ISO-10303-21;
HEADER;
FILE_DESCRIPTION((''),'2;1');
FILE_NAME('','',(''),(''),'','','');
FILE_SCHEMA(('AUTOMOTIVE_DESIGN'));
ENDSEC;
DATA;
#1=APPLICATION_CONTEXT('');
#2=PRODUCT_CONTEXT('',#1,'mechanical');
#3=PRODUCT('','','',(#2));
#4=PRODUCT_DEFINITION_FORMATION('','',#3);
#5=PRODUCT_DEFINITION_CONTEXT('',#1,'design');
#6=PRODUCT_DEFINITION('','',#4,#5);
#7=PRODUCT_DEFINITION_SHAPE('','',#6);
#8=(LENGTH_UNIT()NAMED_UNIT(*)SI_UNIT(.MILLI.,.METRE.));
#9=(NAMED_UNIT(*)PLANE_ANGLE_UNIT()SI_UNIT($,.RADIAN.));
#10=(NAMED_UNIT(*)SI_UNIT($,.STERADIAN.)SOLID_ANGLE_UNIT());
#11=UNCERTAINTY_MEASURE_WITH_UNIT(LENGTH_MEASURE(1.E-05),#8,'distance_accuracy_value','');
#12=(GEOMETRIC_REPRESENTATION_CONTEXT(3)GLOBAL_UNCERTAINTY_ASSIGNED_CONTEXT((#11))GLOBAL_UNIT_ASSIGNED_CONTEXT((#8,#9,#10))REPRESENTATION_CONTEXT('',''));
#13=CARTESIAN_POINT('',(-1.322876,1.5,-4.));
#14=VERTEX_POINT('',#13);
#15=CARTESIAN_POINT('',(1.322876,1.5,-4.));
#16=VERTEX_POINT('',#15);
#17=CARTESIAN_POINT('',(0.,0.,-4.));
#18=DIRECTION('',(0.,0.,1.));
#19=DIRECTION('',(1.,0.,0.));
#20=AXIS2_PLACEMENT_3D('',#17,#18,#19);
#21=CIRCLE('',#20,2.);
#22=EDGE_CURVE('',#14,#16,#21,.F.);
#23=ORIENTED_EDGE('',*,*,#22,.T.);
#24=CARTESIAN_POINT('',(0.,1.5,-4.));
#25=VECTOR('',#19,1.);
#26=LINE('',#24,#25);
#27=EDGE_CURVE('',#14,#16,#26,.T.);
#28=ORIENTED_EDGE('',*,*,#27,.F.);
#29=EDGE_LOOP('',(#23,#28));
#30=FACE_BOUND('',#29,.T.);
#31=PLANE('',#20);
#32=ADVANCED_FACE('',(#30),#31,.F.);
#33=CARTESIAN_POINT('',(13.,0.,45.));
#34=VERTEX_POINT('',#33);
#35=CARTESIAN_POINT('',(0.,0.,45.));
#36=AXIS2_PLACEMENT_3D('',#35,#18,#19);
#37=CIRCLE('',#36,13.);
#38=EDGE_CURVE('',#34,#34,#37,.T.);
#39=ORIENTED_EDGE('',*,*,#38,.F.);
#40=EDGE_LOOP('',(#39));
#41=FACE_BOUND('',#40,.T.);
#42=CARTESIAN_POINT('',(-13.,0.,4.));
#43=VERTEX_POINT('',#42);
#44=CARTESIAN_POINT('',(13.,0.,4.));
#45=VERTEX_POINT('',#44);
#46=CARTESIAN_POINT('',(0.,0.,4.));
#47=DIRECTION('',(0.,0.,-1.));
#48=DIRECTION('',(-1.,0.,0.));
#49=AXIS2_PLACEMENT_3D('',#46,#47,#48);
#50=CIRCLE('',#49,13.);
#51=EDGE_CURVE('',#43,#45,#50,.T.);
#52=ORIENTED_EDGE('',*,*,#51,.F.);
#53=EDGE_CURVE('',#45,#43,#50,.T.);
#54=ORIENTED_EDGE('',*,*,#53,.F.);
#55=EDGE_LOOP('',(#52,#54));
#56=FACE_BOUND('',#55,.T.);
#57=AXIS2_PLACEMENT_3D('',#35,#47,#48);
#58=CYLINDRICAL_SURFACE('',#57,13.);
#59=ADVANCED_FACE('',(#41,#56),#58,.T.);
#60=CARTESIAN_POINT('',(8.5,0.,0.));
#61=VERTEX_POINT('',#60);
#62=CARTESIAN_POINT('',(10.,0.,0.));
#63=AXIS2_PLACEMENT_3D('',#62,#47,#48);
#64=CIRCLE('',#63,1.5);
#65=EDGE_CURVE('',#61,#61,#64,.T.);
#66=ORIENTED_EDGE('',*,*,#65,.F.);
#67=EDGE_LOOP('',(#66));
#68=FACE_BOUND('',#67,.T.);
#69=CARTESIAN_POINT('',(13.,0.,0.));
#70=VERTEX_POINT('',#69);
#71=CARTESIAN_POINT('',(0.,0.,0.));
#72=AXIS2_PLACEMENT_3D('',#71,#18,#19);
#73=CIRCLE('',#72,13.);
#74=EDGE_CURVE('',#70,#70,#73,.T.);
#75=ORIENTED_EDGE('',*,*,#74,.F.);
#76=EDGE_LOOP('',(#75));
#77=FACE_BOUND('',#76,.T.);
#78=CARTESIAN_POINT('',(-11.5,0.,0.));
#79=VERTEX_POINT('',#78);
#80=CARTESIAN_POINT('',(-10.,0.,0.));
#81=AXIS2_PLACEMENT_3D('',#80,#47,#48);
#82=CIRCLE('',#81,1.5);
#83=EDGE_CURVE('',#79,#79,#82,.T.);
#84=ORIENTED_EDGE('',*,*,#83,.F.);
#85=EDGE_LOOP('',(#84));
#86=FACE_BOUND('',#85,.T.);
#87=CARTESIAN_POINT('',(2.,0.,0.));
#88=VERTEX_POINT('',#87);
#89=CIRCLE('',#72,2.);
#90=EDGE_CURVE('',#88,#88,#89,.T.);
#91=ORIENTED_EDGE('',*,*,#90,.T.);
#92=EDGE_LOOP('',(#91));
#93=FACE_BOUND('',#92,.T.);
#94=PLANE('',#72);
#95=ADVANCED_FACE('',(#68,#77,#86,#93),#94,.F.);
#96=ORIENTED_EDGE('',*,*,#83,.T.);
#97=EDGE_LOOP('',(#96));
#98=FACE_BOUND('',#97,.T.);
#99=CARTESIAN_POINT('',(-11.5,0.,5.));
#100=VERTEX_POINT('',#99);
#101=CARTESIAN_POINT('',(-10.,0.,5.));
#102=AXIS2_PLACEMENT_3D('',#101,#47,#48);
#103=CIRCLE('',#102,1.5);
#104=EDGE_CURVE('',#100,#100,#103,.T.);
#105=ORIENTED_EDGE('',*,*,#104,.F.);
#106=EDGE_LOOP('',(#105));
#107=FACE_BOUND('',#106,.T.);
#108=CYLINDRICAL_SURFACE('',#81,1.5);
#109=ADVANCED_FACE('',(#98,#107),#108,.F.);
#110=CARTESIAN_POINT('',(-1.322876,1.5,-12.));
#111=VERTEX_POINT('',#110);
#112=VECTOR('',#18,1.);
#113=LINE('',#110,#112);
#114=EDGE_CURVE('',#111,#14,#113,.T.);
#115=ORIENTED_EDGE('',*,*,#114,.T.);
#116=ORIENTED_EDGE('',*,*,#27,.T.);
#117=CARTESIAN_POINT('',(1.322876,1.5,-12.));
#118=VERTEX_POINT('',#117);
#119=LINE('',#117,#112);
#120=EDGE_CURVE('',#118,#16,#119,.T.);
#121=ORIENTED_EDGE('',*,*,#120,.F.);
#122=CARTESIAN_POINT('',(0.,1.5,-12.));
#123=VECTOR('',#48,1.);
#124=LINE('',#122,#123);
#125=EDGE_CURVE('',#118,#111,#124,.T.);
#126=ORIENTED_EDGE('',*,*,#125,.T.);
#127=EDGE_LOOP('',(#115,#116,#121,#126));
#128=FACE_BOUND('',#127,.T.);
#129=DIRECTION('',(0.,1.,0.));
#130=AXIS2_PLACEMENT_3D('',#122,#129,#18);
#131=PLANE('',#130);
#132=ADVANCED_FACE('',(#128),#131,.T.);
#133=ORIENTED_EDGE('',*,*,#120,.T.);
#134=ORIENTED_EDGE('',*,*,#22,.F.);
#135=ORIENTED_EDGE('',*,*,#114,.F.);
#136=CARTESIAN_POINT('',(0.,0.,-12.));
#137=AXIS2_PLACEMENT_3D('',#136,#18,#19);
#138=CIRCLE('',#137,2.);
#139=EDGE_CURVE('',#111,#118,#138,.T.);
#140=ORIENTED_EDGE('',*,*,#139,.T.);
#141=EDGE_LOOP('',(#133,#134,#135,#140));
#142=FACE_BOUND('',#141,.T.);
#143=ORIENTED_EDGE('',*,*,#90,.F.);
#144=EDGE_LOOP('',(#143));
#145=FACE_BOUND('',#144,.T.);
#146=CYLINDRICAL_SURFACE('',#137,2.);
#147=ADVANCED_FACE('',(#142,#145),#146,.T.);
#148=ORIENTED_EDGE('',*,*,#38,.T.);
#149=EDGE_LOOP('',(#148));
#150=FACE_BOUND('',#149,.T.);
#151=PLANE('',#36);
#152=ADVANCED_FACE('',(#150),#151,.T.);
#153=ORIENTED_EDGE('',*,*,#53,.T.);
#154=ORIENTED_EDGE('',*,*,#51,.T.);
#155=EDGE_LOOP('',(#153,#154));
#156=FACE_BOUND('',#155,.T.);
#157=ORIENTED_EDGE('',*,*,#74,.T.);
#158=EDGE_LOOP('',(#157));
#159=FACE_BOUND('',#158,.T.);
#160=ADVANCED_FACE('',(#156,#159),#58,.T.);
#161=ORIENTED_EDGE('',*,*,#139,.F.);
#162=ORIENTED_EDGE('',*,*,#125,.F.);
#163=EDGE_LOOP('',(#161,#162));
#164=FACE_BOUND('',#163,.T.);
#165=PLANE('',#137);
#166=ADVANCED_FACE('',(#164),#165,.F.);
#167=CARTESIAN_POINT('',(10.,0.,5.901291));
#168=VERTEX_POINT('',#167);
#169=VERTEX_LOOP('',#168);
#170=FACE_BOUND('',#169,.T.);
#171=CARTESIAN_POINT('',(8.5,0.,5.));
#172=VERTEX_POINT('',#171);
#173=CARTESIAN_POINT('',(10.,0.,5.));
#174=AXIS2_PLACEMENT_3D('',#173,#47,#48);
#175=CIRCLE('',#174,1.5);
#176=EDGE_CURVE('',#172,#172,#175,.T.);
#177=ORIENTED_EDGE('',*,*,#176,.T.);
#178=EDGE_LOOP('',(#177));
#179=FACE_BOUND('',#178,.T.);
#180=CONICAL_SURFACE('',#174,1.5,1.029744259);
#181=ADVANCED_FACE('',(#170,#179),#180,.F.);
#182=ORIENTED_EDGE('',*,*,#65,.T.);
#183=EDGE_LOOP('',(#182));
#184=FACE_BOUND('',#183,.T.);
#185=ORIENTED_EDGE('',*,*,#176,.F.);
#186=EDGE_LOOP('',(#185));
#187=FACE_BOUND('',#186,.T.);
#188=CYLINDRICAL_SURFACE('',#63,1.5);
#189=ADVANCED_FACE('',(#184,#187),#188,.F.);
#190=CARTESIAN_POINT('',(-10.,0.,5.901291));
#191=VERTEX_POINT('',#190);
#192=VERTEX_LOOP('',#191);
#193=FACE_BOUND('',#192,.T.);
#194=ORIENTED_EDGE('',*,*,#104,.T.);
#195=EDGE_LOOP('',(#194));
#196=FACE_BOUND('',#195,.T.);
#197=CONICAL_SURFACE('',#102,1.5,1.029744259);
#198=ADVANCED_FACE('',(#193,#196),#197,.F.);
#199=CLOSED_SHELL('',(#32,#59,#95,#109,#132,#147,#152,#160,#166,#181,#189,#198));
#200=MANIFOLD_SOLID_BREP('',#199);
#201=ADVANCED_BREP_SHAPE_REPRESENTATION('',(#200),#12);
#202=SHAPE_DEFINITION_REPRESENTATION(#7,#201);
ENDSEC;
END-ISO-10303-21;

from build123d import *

# Parameters (mm, degrees)
SKETCH1_R                 = 13
MOTOR_BODY_DEPTH          = 45
BOSS_EXTRUDE2_DEPTH       = 12
BOSS_EXTRUDE3_DEPTH       = 4
F_3_0MM_DOWEL_HOLE2_D     = 3
F_3_0MM_DOWEL_HOLE2_DEPTH = 5
F_3_0MM_DOWEL_HOLE2_TIP   = 0.901290929


with BuildPart() as part:
    # Sketch1 → Motor Body (new body)
    with BuildSketch(Plane.XY):
        with Locations(Location((0, 0, 0), (0, 0, 180))):
            Circle(SKETCH1_R)
    extrude(amount=MOTOR_BODY_DEPTH)

    # Sketch2 → Boss-Extrude2 (add)
    with BuildSketch(Plane.XY):
        with BuildLine():
            ThreePointArc((2, 0), (1.822875656, 0.822875656), (1.322875656, 1.5))
            Line((1.322875656, 1.5), (-1.322875656, 1.5))
            ThreePointArc((-1.322875656, 1.5), (-0.822875656, -1.822875656), (2, 0))
        make_face()
    extrude(amount=-BOSS_EXTRUDE2_DEPTH)

    # Sketch2<3> → Boss-Extrude3 (add)
    with BuildSketch(Plane.XY):
        with BuildLine():
            ThreePointArc((2, 0), (1.822875656, 0.822875656), (1.322875656, 1.5))
            Line((1.322875656, 1.5), (-1.322875656, 1.5))
            ThreePointArc((-1.322875656, 1.5), (-0.822875656, -1.822875656), (2, 0))
        make_face()
        with BuildLine():
            Line((-1.322875656, 1.5), (1.322875656, 1.5))
            ThreePointArc((1.322875656, 1.5), (0, 2), (-1.322875656, 1.5))
        make_face()
    extrude(amount=-BOSS_EXTRUDE3_DEPTH)

    # Ø3.0mm Dowel Hole2
    with Locations(Plane(origin=(0, 0, 0), x_dir=(-1, 0, 0), z_dir=(0, 0, -1))):
        with Locations((-10, 0), (10, 0)):
            Hole(F_3_0MM_DOWEL_HOLE2_D / 2, depth=F_3_0MM_DOWEL_HOLE2_DEPTH)
            with Locations((0, 0, -(F_3_0MM_DOWEL_HOLE2_DEPTH + F_3_0MM_DOWEL_HOLE2_TIP / 2))):  # 118° drill point
                Cone(0, F_3_0MM_DOWEL_HOLE2_D / 2, F_3_0MM_DOWEL_HOLE2_TIP, mode=Mode.SUBTRACT)


solid = part.part
